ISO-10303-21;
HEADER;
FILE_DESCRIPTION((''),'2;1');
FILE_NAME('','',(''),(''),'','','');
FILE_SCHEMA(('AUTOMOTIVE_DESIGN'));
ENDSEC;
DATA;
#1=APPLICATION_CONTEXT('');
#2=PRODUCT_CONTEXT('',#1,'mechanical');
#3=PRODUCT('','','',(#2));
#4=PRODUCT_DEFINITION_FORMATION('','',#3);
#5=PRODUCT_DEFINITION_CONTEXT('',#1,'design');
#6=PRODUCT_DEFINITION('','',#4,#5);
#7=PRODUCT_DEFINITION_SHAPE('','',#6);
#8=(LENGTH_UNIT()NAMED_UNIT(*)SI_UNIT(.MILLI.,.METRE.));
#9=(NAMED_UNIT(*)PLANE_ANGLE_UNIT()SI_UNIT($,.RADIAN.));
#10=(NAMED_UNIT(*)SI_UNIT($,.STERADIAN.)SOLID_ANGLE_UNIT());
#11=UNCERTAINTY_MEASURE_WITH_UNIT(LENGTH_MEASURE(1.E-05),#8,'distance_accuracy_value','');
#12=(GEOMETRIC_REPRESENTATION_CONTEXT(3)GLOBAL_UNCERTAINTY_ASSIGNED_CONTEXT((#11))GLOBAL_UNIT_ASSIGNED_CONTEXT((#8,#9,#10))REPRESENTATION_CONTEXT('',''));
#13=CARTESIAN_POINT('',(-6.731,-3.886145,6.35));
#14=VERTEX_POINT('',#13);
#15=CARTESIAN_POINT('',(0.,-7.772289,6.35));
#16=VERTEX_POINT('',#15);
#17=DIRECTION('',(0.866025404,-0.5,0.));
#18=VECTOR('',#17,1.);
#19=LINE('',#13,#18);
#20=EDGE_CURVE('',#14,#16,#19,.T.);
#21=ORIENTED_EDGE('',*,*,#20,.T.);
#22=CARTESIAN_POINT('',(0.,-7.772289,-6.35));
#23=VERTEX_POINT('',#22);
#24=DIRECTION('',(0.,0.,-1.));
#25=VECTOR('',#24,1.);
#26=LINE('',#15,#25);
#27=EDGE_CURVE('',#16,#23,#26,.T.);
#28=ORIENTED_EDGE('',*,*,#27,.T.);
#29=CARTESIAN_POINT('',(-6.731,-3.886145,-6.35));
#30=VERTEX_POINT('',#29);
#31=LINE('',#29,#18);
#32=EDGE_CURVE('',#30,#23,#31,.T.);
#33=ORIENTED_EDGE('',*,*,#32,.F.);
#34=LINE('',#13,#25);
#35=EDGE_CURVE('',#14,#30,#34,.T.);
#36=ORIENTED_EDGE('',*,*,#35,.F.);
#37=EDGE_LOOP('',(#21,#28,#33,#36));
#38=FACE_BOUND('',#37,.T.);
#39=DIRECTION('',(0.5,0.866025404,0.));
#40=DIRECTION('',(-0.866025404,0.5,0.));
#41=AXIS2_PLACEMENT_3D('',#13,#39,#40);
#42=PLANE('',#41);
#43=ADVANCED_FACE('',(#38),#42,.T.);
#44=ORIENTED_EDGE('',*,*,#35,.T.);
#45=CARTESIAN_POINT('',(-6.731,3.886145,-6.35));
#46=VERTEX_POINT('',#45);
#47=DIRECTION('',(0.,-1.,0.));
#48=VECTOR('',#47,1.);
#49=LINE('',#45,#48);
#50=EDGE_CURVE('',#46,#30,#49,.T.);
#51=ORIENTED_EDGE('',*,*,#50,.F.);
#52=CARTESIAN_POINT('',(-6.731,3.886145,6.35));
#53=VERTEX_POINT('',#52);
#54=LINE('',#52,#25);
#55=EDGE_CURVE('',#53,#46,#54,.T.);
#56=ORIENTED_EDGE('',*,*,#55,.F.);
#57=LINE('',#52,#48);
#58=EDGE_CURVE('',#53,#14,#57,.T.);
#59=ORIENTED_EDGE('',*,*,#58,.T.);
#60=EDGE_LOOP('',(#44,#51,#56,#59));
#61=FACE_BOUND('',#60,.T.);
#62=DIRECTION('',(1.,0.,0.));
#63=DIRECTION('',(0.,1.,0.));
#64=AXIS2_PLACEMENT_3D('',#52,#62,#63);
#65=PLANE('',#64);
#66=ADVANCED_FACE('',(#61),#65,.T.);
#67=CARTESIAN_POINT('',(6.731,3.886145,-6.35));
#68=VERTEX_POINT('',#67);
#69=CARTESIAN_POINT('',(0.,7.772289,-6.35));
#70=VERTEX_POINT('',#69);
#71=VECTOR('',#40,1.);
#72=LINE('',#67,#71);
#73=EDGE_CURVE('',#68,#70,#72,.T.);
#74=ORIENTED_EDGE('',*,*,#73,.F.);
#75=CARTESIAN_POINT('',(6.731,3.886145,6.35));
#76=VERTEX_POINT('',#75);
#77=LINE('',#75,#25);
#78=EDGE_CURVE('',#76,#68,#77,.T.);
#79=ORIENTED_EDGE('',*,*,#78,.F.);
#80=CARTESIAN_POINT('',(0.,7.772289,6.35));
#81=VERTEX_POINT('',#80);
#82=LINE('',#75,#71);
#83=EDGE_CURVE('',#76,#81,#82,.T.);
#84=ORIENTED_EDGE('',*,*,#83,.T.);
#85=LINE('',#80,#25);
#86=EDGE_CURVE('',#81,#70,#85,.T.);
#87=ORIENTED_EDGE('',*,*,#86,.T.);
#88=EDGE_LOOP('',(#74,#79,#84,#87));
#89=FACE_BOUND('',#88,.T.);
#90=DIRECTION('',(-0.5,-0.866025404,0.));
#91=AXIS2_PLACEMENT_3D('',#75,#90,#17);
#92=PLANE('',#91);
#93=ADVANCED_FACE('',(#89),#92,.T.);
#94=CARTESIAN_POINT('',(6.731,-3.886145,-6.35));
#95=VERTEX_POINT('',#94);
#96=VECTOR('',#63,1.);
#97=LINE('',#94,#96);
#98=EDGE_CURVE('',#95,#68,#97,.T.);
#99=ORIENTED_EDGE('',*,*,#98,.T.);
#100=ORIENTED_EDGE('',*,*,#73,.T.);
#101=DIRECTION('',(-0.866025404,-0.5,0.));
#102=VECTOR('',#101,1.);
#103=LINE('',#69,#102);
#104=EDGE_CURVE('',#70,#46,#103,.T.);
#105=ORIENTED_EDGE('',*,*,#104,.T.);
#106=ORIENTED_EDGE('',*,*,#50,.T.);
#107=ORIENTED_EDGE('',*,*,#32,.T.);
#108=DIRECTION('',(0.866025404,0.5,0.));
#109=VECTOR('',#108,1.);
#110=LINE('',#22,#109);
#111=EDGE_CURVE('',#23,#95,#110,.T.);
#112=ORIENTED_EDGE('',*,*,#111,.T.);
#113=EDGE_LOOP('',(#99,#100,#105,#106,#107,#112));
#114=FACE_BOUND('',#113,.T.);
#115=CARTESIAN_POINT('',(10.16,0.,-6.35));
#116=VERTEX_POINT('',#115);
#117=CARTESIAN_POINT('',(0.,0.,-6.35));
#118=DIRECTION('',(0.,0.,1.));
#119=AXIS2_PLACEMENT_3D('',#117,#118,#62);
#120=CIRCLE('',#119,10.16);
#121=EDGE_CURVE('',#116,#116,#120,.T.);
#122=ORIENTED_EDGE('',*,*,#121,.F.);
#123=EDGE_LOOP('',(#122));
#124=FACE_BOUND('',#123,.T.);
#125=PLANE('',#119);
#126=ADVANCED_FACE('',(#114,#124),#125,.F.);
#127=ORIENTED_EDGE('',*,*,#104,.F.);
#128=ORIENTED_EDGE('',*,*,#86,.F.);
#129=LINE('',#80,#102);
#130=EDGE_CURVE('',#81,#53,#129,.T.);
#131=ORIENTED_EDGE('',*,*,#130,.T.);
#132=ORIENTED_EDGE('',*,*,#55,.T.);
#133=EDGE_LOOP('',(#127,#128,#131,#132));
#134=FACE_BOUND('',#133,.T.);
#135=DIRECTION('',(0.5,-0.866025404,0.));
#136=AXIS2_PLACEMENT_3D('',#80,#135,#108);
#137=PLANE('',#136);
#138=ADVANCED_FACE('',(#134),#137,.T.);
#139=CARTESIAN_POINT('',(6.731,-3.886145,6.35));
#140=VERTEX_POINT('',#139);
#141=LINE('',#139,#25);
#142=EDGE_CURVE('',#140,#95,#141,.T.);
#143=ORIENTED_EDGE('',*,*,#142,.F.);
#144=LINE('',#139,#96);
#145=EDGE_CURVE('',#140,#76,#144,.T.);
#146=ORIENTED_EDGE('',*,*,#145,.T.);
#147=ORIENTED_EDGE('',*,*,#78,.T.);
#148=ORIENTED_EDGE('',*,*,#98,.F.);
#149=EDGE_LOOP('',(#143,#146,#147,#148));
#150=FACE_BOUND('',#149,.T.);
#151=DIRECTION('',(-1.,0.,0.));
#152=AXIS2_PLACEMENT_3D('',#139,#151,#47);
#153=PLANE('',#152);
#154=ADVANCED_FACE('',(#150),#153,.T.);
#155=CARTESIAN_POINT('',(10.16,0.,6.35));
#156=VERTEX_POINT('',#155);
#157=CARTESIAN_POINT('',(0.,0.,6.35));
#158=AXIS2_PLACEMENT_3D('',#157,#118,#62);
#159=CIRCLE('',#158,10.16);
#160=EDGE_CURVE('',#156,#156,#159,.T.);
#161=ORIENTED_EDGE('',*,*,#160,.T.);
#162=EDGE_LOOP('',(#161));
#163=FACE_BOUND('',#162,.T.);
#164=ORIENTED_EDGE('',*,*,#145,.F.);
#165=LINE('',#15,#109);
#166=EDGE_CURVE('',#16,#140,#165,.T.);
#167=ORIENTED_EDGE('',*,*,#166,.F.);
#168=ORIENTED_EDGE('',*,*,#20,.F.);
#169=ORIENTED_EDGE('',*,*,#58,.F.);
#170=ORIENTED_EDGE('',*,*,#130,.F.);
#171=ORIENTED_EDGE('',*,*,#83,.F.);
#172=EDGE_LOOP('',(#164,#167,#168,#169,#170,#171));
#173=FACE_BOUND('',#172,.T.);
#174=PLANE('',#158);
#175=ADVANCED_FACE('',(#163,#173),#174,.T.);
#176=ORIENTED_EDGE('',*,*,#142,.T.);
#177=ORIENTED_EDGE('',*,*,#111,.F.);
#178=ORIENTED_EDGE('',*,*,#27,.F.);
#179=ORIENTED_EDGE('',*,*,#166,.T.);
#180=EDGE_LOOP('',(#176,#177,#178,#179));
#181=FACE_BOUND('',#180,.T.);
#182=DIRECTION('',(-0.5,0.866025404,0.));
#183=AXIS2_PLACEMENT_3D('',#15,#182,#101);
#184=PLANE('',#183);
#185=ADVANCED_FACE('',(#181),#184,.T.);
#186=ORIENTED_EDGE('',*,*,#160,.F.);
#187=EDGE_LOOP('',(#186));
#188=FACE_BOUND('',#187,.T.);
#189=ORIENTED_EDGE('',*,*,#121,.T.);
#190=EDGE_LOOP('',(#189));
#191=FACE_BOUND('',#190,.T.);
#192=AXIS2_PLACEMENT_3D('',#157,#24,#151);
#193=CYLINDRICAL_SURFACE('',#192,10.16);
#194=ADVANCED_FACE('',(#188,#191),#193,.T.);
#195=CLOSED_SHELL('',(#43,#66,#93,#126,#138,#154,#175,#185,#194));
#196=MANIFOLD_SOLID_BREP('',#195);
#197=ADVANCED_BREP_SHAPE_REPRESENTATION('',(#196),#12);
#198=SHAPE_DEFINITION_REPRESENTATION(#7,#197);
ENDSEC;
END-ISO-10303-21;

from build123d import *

# Parameters (mm, degrees)
SKETCH1_R           = 10.16
BOSS_EXTRUDE1_DEPTH = 6.35


with BuildPart() as part:
    # Sketch1 → Boss-Extrude1 (new, symmetric)
    with BuildSketch(Plane.XY):
        Circle(SKETCH1_R)
        Polygon((0, 7.772289324), (-6.731, 3.886144662), (-6.731, -3.886144662), (0, -7.772289324), (6.731, -3.886144662), (6.731, 3.886144662), align=None, mode=Mode.SUBTRACT)
    extrude(amount=BOSS_EXTRUDE1_DEPTH, both=True)


solid = part.part
